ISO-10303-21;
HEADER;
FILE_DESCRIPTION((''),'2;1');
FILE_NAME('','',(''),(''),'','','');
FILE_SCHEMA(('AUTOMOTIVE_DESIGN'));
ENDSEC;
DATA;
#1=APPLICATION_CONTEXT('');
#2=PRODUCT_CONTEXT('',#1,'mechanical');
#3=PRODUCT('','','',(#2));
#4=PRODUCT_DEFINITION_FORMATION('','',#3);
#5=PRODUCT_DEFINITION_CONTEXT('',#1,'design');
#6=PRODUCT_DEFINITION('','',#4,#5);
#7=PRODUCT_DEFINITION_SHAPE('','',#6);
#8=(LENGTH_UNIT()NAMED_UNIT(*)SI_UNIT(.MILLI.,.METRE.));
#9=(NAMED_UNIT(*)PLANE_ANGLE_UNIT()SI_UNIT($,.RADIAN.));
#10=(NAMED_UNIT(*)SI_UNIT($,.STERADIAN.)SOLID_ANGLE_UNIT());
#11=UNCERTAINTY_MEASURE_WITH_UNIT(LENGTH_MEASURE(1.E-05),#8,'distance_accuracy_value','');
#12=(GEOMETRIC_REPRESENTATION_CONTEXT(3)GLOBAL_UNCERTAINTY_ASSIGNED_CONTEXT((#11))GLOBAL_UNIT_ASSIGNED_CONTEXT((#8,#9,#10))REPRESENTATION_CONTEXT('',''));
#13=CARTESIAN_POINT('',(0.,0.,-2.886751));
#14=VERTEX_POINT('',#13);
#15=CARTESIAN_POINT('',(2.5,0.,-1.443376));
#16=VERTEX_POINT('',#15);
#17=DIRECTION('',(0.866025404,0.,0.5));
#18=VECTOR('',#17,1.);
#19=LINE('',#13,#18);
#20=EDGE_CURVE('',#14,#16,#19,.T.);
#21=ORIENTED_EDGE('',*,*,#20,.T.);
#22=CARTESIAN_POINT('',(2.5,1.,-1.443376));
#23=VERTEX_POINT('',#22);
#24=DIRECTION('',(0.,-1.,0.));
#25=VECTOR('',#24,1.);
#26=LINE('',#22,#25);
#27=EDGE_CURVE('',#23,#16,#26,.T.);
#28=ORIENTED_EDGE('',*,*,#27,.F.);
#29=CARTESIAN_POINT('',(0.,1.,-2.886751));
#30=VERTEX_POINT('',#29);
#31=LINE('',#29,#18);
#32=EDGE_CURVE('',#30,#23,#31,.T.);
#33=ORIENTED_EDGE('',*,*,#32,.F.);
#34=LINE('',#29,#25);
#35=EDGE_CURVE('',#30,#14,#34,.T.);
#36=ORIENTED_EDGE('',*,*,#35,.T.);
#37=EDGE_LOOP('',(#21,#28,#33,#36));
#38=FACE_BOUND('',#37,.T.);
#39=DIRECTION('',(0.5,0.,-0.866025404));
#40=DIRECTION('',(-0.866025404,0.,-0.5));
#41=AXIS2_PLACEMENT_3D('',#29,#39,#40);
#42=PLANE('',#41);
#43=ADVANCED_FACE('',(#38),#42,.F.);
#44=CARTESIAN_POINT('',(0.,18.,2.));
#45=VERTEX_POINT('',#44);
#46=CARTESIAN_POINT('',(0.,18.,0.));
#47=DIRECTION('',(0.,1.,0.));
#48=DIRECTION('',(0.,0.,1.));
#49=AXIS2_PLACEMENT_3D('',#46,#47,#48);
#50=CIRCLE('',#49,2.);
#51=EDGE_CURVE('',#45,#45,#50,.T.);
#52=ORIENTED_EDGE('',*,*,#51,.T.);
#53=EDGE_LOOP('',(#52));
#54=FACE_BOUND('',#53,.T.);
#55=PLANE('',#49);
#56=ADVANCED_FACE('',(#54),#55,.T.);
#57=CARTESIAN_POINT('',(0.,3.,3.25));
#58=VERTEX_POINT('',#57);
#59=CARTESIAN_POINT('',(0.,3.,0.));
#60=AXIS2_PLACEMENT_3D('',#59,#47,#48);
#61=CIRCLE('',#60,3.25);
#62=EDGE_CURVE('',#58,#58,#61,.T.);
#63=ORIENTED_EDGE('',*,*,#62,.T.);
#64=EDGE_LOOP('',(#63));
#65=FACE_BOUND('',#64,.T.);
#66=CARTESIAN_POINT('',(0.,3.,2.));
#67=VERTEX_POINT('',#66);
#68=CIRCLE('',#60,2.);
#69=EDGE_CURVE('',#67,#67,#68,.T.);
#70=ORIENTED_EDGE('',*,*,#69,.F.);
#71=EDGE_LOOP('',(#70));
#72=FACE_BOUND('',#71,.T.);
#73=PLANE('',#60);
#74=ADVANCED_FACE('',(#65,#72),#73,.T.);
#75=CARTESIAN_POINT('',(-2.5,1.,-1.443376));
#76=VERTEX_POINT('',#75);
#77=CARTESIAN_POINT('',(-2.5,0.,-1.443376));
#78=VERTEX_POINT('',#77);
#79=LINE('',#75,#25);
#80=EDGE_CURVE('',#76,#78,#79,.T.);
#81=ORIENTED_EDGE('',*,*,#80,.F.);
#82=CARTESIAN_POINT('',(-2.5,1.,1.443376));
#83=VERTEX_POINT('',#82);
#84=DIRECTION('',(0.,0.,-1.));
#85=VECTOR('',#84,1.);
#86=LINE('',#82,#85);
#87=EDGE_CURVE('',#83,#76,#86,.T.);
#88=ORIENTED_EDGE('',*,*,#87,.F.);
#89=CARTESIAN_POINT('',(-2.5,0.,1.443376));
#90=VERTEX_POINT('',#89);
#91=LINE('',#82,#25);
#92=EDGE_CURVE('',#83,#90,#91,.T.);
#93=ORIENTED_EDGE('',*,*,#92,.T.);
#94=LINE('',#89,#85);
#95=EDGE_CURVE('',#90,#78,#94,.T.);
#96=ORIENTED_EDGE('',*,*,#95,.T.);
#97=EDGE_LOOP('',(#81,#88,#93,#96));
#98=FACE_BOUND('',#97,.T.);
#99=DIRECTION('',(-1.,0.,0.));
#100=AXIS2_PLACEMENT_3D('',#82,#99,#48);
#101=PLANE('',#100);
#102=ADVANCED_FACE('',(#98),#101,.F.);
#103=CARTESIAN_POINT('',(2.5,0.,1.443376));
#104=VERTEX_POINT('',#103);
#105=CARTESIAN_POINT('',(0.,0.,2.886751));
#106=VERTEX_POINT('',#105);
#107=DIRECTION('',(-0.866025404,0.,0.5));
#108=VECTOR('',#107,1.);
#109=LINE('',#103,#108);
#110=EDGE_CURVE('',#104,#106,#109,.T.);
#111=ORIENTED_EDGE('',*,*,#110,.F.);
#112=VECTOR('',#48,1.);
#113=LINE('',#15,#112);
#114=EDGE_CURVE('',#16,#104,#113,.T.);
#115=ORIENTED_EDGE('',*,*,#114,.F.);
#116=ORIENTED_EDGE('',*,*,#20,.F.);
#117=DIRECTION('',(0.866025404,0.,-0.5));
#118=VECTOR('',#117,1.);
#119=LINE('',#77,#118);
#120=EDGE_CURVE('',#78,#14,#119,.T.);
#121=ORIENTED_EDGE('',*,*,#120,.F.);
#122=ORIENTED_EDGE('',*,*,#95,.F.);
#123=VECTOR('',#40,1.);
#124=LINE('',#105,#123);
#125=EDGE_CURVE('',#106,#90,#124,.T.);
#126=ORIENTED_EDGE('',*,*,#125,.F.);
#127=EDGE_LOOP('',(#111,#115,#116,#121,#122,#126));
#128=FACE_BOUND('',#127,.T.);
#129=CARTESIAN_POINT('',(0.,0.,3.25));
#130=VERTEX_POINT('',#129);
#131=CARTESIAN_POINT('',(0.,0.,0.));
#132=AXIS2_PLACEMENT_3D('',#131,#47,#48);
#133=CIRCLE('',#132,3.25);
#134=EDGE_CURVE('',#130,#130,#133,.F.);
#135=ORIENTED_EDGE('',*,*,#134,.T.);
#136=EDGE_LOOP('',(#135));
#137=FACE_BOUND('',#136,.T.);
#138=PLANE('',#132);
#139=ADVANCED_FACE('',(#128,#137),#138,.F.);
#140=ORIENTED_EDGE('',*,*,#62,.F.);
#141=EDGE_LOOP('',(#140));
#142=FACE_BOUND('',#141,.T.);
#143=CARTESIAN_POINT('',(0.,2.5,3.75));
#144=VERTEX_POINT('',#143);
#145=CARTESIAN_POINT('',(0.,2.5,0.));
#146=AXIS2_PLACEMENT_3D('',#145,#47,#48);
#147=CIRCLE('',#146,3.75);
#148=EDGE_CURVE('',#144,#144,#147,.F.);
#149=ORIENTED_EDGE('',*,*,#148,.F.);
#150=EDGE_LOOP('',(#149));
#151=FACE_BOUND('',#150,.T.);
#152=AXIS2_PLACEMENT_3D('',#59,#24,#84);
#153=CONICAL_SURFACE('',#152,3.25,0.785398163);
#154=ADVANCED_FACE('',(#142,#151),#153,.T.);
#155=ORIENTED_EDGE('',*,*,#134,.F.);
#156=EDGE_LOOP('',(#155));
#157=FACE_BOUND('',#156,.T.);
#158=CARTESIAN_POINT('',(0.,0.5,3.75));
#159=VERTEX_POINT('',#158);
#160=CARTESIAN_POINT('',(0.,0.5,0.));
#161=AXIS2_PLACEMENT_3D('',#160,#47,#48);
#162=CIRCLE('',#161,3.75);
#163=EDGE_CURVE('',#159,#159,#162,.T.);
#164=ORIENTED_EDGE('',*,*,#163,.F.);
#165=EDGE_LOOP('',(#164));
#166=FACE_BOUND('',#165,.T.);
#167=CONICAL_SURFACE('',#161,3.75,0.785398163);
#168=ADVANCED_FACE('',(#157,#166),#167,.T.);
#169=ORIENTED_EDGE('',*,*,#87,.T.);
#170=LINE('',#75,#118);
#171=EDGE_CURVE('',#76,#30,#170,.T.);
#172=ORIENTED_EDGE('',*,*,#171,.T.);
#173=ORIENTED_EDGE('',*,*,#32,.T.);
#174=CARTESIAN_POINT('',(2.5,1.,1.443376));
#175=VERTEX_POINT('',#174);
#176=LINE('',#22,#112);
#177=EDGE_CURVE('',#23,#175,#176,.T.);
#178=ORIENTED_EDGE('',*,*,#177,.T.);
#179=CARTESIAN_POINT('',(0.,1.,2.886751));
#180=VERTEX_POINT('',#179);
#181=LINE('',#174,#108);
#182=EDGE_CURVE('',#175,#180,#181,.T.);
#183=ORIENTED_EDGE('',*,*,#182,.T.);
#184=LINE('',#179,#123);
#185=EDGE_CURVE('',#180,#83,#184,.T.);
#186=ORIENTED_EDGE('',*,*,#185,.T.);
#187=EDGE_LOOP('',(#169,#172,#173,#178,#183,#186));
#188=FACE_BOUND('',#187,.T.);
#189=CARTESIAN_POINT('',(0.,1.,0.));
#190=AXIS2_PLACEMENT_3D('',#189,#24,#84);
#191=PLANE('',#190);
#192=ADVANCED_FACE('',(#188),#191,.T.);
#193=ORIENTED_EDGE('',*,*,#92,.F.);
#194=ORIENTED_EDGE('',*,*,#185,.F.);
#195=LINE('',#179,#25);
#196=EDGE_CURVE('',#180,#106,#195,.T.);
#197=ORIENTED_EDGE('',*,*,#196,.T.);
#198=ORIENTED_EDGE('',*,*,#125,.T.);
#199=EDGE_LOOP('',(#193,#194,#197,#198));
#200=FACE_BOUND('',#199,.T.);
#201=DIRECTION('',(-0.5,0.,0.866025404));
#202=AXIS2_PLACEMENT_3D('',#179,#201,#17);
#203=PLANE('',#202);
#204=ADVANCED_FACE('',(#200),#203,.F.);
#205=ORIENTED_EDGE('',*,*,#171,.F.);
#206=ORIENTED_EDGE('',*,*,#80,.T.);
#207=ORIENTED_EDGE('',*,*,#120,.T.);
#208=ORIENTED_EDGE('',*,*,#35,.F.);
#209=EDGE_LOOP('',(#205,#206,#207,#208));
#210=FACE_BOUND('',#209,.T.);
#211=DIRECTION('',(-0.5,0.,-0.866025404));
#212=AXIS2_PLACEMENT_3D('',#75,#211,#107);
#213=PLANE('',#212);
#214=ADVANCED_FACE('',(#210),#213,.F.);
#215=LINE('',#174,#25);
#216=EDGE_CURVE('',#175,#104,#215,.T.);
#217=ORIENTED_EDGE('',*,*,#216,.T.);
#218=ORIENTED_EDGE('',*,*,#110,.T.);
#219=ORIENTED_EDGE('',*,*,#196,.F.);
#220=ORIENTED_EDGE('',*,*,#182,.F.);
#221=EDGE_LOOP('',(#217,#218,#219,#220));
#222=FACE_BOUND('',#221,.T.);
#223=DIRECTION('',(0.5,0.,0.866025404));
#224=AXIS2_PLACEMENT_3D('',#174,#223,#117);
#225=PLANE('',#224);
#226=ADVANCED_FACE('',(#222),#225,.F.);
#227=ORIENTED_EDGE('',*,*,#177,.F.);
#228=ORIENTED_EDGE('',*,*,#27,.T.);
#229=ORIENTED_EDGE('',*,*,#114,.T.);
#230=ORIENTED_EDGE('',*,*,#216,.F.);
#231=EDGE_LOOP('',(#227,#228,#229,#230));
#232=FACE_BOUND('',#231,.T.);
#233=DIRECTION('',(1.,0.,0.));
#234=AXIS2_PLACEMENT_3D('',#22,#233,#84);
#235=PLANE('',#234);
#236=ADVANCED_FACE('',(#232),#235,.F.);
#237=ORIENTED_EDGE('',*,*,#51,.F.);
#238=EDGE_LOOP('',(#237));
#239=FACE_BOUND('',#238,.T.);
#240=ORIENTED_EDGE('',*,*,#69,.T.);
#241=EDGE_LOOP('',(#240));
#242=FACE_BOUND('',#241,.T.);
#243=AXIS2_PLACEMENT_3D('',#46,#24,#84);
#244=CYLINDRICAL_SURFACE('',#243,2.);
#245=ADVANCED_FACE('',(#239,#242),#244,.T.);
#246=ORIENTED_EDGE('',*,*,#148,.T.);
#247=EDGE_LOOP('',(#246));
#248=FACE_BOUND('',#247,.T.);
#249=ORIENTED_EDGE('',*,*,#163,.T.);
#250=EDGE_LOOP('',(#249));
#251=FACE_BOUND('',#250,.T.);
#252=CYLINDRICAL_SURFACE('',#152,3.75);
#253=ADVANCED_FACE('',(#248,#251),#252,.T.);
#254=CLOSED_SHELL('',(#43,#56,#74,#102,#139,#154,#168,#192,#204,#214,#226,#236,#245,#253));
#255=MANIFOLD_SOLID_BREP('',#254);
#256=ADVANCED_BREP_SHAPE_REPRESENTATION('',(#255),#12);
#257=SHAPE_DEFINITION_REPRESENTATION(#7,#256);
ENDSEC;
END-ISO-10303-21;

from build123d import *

# Parameters (mm, degrees)
SKETCH_1_R          = 3.75
EXTRUDE_1_DEPTH     = 3
SKETCH_2_R          = 2
EXTRUDE_2_DEPTH     = 15
CHAMFER_1_SIZE      = 0.5
CUT_EXTRUDE_1_DEPTH = 1


with BuildPart() as part:
    # 草图1 → 凸台-拉伸1 (new body)
    with BuildSketch(Plane(origin=(0, 0, 0), x_dir=(1, 0, 0), z_dir=(0, 1, 0))):
        with Locations(Location((0, 0, 0), (0, 0, 270))):
            Circle(SKETCH_1_R)
    extrude(amount=EXTRUDE_1_DEPTH)

    # 草图2 → 凸台-拉伸2 (add)
    with BuildSketch(Plane(origin=(0, 3, 0), x_dir=(1, 0, 0), z_dir=(0, 1, 0))):
        with Locations(Location((0, 0, 0), (0, 0, 270))):
            Circle(SKETCH_2_R)
    extrude(amount=EXTRUDE_2_DEPTH)

    # 倒角1
    chamfer_1_edges = [part.edges().sort_by_distance(p)[0] for p in [
        (0, 0, -3.75),
        (0, 3, -3.75),
    ]]
    chamfer(chamfer_1_edges, length=CHAMFER_1_SIZE)

    # 草图3 → 切除-拉伸1 (cut)
    with BuildSketch(Plane.XZ):
        Polygon((0, -2.886751346), (2.5, -1.443375673), (2.5, 1.443375673), (0, 2.886751346), (-2.5, 1.443375673), (-2.5, -1.443375673), align=None)
    extrude(amount=-CUT_EXTRUDE_1_DEPTH, mode=Mode.SUBTRACT)


solid = part.part
